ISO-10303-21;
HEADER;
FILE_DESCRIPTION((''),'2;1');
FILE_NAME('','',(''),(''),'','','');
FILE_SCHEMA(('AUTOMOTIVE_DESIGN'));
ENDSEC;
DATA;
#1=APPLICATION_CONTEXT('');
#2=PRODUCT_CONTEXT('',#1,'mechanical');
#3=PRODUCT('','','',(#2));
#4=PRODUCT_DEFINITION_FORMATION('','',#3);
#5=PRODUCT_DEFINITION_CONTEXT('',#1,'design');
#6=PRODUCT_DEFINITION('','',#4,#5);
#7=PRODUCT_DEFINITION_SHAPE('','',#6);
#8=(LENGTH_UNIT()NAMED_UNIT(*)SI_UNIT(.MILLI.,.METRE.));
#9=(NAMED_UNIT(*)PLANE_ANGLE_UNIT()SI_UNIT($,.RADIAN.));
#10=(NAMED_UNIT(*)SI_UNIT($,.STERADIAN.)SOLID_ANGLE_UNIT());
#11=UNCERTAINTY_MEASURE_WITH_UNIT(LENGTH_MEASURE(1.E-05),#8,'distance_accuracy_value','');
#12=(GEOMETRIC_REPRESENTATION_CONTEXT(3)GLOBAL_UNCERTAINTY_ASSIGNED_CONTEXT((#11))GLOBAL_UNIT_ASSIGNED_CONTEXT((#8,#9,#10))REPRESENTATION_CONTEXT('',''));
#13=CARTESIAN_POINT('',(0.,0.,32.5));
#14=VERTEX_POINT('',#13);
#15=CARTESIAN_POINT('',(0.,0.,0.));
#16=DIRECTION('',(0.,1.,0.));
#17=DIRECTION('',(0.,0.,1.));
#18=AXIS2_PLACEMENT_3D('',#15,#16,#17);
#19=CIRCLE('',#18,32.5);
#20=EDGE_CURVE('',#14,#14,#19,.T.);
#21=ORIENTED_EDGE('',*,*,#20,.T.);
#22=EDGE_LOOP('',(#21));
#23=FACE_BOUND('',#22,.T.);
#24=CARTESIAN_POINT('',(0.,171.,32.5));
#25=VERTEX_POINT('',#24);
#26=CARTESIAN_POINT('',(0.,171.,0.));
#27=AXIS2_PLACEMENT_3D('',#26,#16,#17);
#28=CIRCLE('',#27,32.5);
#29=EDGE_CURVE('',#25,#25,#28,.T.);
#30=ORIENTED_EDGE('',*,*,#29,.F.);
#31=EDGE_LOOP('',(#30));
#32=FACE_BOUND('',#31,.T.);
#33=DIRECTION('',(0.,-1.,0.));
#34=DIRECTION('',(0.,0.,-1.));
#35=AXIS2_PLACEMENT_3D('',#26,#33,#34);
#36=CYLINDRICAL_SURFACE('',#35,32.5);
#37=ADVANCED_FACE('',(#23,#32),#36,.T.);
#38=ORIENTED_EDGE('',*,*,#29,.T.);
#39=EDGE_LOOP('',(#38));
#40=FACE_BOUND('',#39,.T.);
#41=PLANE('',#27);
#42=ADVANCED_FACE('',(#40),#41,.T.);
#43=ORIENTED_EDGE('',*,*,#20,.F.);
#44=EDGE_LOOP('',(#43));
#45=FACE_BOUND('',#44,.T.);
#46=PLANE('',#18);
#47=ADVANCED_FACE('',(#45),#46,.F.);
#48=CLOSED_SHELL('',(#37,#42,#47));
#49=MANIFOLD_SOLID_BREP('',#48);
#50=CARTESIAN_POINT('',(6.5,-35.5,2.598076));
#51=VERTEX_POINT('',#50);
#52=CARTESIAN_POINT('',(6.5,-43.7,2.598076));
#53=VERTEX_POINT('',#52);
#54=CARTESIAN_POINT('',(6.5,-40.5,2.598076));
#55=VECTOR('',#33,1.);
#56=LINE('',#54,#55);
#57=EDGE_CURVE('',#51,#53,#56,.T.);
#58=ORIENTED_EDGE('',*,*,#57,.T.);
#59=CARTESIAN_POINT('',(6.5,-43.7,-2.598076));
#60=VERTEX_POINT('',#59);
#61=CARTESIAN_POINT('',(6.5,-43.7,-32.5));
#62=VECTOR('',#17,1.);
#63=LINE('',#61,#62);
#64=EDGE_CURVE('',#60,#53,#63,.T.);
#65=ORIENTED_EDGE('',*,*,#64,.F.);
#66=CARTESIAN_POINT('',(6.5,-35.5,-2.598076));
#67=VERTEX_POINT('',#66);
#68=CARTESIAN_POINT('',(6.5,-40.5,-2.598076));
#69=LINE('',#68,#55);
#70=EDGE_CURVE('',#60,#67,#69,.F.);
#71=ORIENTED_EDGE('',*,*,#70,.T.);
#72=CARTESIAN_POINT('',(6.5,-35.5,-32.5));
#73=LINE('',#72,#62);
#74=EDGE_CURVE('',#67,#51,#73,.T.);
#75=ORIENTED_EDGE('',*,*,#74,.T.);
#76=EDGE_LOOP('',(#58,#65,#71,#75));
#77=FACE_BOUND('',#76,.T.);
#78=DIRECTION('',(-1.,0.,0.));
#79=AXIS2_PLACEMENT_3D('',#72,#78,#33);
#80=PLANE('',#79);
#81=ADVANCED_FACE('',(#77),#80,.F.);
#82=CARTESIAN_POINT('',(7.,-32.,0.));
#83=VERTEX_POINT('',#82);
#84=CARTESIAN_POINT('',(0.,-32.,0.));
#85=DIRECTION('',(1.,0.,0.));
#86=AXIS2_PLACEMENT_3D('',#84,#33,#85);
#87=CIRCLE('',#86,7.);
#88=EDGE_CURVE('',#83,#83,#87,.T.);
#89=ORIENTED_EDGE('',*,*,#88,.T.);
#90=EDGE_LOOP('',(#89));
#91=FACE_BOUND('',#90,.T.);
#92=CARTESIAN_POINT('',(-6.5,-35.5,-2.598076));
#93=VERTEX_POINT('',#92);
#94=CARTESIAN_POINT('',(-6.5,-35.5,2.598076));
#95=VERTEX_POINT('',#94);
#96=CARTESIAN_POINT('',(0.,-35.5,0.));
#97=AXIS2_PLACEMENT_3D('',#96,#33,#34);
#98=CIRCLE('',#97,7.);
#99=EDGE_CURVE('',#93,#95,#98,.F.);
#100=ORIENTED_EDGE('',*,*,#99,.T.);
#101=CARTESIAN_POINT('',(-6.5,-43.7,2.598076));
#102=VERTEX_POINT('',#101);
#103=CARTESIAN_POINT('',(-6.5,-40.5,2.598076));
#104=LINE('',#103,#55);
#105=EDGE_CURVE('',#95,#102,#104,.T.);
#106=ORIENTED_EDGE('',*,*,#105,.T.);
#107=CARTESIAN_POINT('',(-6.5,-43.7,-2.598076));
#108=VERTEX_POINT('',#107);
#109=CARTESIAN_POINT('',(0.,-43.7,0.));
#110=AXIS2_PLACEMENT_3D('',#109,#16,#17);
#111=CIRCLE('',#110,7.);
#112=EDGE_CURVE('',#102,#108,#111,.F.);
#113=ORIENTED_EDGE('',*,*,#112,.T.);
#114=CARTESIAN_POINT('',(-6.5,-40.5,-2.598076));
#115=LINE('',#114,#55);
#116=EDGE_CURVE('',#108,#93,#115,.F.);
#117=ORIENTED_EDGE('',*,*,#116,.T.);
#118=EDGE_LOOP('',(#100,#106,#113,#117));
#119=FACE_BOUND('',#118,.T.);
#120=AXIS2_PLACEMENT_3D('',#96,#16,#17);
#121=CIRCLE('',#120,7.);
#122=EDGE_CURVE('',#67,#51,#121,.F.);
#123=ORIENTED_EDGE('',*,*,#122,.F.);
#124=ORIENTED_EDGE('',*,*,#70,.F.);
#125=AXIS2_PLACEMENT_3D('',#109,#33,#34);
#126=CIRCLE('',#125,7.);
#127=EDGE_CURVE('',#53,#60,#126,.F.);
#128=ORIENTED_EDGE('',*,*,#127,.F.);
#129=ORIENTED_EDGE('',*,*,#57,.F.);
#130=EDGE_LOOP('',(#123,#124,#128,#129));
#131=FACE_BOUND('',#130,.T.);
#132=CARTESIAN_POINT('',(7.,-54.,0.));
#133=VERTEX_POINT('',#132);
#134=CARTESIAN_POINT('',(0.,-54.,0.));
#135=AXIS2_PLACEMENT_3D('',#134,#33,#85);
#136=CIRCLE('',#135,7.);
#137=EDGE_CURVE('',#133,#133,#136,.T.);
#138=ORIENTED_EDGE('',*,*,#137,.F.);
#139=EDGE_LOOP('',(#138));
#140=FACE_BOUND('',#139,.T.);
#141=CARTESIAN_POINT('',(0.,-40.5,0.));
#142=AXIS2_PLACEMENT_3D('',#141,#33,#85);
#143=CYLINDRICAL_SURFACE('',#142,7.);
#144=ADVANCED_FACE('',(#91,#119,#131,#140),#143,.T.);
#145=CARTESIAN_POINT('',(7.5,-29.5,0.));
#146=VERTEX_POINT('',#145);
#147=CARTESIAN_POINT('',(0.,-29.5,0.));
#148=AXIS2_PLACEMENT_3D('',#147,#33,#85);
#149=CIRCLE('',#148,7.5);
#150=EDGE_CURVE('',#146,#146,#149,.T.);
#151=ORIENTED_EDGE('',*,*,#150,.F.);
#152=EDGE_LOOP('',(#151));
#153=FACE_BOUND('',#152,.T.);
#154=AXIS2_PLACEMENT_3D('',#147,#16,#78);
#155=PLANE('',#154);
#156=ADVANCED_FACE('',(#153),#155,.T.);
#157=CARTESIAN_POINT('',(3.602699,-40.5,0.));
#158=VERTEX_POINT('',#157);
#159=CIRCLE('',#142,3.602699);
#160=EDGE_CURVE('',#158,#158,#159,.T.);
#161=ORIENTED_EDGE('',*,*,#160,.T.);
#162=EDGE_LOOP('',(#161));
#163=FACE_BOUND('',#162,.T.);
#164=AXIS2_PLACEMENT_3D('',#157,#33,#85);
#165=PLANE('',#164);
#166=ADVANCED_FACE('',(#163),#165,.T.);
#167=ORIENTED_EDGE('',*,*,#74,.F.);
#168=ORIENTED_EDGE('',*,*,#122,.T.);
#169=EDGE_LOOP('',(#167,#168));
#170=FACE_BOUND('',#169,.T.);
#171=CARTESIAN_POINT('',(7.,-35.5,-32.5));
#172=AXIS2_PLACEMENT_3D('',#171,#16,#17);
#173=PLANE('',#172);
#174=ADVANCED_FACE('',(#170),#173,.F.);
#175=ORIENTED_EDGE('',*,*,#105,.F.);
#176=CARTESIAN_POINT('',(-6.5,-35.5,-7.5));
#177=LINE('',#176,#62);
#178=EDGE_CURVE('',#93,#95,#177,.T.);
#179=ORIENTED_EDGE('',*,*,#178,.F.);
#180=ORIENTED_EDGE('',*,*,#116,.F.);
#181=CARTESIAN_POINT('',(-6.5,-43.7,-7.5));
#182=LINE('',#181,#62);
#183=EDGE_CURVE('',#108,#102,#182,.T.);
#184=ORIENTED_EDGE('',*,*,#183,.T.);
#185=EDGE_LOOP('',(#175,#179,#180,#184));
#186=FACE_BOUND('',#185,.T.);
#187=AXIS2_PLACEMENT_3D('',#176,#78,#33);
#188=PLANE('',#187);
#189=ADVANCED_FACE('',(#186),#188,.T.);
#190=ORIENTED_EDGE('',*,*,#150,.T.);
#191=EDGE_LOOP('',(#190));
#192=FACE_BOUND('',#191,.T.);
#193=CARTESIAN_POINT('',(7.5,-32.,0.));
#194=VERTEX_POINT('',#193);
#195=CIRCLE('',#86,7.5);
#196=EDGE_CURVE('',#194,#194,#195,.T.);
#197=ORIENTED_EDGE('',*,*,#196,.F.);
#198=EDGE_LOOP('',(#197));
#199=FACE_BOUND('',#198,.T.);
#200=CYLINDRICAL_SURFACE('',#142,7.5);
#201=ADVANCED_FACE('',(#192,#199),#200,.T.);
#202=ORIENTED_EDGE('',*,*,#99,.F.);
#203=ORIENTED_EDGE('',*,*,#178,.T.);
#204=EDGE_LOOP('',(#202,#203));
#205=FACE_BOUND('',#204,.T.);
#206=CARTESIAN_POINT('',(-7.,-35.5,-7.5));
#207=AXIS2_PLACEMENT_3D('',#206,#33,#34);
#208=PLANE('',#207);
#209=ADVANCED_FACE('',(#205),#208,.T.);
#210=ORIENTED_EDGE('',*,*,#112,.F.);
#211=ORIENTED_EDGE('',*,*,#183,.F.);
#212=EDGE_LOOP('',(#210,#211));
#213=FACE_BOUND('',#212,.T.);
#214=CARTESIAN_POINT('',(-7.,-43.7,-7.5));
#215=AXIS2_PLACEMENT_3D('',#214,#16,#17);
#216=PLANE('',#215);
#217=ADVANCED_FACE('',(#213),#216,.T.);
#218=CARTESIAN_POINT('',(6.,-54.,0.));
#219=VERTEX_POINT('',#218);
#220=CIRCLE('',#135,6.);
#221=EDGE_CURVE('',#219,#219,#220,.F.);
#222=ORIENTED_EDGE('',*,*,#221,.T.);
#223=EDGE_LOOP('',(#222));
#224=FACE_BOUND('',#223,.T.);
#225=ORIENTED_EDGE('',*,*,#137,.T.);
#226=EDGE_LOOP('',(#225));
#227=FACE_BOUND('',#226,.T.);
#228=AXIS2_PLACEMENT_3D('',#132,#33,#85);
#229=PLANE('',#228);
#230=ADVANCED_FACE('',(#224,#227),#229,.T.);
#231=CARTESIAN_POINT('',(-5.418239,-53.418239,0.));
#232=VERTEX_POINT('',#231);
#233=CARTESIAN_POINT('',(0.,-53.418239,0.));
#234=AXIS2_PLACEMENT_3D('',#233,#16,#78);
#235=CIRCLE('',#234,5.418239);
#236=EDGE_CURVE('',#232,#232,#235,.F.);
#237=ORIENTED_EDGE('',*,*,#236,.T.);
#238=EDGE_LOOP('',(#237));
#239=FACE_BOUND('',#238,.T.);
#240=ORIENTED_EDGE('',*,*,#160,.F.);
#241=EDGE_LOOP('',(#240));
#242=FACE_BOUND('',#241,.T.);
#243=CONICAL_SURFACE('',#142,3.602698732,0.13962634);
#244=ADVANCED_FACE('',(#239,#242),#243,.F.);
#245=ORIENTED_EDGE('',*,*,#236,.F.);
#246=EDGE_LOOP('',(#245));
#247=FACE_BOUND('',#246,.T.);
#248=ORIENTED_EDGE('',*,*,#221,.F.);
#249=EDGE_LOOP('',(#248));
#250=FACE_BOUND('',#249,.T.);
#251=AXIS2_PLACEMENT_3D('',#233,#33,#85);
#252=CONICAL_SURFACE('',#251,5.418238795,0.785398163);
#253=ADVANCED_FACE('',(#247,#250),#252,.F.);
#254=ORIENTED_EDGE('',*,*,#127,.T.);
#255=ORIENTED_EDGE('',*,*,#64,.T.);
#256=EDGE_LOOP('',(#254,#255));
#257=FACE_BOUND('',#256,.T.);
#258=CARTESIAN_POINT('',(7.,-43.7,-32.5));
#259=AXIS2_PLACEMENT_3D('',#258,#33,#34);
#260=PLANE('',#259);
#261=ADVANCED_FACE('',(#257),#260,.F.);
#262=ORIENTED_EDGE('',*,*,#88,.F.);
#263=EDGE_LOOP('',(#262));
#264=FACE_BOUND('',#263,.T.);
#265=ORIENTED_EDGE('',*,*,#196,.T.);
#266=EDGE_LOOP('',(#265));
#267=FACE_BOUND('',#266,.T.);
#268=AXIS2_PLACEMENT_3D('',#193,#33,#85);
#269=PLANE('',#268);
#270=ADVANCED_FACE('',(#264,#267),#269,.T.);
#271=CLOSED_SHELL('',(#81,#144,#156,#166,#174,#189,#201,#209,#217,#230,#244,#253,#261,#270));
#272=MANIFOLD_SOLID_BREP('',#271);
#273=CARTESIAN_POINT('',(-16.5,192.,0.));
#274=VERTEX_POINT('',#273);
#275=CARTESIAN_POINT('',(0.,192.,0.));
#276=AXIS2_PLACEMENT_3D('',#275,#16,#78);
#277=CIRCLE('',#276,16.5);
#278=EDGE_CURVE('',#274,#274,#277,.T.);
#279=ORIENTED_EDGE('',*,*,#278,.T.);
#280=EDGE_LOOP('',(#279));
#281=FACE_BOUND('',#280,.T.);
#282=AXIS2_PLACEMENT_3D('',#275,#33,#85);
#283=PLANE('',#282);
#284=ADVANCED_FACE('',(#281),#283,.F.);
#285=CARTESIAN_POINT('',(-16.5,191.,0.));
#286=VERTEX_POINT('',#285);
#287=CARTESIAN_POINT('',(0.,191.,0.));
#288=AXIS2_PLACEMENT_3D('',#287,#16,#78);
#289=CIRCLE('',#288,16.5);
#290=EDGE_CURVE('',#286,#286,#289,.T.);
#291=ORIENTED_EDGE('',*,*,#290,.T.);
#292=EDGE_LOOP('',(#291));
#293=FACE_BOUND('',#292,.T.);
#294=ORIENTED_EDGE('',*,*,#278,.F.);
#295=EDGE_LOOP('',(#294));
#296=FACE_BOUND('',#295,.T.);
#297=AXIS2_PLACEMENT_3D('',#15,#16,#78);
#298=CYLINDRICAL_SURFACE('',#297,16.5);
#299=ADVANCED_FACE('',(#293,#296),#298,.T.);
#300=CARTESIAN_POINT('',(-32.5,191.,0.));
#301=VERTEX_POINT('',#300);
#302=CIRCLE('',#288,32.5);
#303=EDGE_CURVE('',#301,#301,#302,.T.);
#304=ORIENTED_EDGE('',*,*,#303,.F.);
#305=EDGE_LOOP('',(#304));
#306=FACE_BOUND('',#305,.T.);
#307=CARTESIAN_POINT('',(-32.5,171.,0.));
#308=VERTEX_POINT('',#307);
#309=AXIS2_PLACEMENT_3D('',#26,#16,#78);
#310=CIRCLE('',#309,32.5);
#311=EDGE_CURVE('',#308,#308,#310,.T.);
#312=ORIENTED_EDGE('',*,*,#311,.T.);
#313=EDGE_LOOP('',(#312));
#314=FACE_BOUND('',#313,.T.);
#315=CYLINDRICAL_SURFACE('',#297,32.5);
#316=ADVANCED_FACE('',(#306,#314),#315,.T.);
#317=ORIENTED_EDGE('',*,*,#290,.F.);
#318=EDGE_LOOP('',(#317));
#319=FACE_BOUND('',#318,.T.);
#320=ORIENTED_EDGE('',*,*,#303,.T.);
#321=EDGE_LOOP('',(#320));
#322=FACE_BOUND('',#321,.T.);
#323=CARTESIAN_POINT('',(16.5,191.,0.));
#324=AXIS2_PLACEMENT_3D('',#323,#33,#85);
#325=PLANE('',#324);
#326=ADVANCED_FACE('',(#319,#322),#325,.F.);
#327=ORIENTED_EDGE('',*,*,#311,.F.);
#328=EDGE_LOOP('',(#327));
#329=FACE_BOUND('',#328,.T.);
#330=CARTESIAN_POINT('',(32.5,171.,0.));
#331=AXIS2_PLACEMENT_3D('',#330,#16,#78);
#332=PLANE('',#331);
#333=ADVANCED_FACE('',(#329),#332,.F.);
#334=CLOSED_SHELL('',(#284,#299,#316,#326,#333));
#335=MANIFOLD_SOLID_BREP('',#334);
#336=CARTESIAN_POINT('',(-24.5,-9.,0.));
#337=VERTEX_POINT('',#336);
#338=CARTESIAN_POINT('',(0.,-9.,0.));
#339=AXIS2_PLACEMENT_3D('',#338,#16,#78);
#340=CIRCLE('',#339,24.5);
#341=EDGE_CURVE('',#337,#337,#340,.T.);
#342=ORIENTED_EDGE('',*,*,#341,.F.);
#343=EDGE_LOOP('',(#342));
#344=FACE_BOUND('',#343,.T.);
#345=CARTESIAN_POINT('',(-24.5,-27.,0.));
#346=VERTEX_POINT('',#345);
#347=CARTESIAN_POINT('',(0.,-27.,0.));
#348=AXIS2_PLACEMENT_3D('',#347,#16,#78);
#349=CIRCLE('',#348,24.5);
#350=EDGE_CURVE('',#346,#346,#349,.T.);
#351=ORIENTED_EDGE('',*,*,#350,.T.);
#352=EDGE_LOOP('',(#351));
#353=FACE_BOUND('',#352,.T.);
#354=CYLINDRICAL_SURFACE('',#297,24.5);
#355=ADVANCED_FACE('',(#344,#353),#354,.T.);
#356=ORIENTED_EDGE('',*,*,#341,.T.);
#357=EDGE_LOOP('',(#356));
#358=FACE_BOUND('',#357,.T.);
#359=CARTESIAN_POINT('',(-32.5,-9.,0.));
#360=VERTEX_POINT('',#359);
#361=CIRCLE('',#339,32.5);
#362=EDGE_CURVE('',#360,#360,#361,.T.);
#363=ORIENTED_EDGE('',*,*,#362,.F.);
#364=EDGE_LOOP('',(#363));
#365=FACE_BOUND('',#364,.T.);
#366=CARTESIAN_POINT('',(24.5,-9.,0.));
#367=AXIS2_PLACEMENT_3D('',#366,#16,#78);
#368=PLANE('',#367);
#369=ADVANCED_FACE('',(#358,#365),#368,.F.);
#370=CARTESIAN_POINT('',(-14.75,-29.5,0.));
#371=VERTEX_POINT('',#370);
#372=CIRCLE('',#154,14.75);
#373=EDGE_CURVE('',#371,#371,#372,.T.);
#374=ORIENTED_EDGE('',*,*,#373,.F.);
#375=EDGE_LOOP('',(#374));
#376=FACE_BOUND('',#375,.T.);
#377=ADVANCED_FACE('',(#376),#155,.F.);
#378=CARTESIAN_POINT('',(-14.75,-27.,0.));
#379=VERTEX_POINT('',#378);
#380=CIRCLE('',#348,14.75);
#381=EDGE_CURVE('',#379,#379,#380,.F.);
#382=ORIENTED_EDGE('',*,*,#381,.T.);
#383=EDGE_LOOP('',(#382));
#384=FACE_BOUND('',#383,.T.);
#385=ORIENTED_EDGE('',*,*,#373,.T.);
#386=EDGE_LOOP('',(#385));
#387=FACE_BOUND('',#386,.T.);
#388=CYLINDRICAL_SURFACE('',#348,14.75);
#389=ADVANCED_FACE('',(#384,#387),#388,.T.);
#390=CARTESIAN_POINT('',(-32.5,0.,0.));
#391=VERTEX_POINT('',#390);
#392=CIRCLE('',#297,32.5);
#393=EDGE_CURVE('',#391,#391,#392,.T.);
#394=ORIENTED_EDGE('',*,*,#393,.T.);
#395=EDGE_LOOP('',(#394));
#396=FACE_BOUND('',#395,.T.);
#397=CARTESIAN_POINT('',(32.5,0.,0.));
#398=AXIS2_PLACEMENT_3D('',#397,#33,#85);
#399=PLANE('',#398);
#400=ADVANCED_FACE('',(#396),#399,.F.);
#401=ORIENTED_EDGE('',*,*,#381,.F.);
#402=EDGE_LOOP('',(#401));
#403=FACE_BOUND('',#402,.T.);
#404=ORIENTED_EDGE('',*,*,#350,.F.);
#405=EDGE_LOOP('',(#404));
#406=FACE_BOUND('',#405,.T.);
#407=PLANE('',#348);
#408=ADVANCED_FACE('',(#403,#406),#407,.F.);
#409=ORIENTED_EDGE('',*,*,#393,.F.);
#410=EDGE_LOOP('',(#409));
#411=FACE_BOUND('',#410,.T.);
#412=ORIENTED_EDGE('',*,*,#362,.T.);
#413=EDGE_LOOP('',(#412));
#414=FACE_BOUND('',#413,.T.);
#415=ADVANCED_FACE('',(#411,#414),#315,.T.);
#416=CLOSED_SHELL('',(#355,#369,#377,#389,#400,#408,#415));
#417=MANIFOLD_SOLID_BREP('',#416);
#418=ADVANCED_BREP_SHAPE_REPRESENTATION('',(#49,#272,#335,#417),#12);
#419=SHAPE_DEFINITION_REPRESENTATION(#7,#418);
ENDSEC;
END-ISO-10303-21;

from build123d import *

# Parameters (mm, degrees)
SKETCH_1_R          = 32.5
EXTRUDE_1_DEPTH     = 171
SKETCH_7_W          = 14.75
SKETCH_7_H          = 2.5
SKETCH_9_W          = 0.5
SKETCH_9_H          = 8.2
CUT_EXTRUDE_1_DEPTH = 198.424669178
CHAMFER_1_SIZE      = 0.5
CHAMFER_1_SIZE2     = 0.587478506


with BuildPart() as part:
    # Эскиз1 → Бобышка-Вытянуть1 (new body)
    with BuildSketch(Plane(origin=(0, 0, 0), x_dir=(1, 0, 0), z_dir=(0, 1, 0))):
        with Locations(Location((0, 0, 0), (0, 0, 270))):
            Circle(SKETCH_1_R)
    extrude(amount=EXTRUDE_1_DEPTH)


with BuildPart() as body_2:
    # Эскиз6 → Повернуть1 (revolve)
    with BuildSketch(Plane.XY, mode=Mode.PRIVATE) as revolve_1_sk:
        Polygon((0, 0), (0, -27), (24.5, -27), (24.5, -9), (32.5, -9), (32.5, 0), align=None)
        Polygon((0, 171), (0, 192), (16.5, 192), (16.5, 191), (32.5, 191), (32.5, 171), align=None)
    revolve(revolve_1_sk.sketch.rotate(Axis((0, 0, 0), (0, -1, 0)), 180), axis=Axis((0, 0, 0), (0, -1, 0)))

    # Эскиз7 → Повернуть2 (revolve)
    with BuildSketch(Plane.XY, mode=Mode.PRIVATE) as revolve_2_sk:
        with Locations((7.375, -28.25)):
            Rectangle(SKETCH_7_W, SKETCH_7_H)
    revolve(revolve_2_sk.sketch.rotate(Axis((0, -27, 0), (0, -1, 0)), 180), axis=Axis((0, -27, 0), (0, -1, 0)))


with BuildPart() as body_3:
    # Эскиз8 → Повернуть3 (revolve)
    with BuildSketch(Plane.XY):
        Polygon((7.5, -29.5), (7.5, -32), (7, -32), (7, -54), (5.5, -54), (3.602698732, -40.5), (0, -40.5), (0, -29.5), align=None)
    revolve(axis=Axis((0, -40.5, 0), (0, 1, 0)))

    # Эскиз9 → Вырез-Вытянуть1 (cut, symmetric)
    with BuildSketch(Plane.XY):
        with Locations((6.75, -39.6)):
            Rectangle(SKETCH_9_W, SKETCH_9_H)
    cut_extrude_1 = extrude(amount=CUT_EXTRUDE_1_DEPTH, both=True, mode=Mode.SUBTRACT)

    # Зеркальное отражение1: Вырез-Вытянуть1 across plane
    add(cut_extrude_1.mirror(Plane(origin=(0, 0, 0), x_dir=(0, 0, 1), z_dir=(1, 0, 0))), mode=Mode.SUBTRACT)

    # Фаска1
    chamfer_1_edges = [body_3.edges().sort_by_distance(p)[0] for p in [
        (-5.5, -54, 0),
    ]]
    chamfer_1_side = [body_3.faces().sort_by_distance(p)[0] for p in [
        (-6.802010101, -54, 0),
    ]]
    chamfer(chamfer_1_edges, length=CHAMFER_1_SIZE, length2=CHAMFER_1_SIZE2, reference=chamfer_1_side[0])


solid = Compound([part.part, body_2.part, body_3.part])
